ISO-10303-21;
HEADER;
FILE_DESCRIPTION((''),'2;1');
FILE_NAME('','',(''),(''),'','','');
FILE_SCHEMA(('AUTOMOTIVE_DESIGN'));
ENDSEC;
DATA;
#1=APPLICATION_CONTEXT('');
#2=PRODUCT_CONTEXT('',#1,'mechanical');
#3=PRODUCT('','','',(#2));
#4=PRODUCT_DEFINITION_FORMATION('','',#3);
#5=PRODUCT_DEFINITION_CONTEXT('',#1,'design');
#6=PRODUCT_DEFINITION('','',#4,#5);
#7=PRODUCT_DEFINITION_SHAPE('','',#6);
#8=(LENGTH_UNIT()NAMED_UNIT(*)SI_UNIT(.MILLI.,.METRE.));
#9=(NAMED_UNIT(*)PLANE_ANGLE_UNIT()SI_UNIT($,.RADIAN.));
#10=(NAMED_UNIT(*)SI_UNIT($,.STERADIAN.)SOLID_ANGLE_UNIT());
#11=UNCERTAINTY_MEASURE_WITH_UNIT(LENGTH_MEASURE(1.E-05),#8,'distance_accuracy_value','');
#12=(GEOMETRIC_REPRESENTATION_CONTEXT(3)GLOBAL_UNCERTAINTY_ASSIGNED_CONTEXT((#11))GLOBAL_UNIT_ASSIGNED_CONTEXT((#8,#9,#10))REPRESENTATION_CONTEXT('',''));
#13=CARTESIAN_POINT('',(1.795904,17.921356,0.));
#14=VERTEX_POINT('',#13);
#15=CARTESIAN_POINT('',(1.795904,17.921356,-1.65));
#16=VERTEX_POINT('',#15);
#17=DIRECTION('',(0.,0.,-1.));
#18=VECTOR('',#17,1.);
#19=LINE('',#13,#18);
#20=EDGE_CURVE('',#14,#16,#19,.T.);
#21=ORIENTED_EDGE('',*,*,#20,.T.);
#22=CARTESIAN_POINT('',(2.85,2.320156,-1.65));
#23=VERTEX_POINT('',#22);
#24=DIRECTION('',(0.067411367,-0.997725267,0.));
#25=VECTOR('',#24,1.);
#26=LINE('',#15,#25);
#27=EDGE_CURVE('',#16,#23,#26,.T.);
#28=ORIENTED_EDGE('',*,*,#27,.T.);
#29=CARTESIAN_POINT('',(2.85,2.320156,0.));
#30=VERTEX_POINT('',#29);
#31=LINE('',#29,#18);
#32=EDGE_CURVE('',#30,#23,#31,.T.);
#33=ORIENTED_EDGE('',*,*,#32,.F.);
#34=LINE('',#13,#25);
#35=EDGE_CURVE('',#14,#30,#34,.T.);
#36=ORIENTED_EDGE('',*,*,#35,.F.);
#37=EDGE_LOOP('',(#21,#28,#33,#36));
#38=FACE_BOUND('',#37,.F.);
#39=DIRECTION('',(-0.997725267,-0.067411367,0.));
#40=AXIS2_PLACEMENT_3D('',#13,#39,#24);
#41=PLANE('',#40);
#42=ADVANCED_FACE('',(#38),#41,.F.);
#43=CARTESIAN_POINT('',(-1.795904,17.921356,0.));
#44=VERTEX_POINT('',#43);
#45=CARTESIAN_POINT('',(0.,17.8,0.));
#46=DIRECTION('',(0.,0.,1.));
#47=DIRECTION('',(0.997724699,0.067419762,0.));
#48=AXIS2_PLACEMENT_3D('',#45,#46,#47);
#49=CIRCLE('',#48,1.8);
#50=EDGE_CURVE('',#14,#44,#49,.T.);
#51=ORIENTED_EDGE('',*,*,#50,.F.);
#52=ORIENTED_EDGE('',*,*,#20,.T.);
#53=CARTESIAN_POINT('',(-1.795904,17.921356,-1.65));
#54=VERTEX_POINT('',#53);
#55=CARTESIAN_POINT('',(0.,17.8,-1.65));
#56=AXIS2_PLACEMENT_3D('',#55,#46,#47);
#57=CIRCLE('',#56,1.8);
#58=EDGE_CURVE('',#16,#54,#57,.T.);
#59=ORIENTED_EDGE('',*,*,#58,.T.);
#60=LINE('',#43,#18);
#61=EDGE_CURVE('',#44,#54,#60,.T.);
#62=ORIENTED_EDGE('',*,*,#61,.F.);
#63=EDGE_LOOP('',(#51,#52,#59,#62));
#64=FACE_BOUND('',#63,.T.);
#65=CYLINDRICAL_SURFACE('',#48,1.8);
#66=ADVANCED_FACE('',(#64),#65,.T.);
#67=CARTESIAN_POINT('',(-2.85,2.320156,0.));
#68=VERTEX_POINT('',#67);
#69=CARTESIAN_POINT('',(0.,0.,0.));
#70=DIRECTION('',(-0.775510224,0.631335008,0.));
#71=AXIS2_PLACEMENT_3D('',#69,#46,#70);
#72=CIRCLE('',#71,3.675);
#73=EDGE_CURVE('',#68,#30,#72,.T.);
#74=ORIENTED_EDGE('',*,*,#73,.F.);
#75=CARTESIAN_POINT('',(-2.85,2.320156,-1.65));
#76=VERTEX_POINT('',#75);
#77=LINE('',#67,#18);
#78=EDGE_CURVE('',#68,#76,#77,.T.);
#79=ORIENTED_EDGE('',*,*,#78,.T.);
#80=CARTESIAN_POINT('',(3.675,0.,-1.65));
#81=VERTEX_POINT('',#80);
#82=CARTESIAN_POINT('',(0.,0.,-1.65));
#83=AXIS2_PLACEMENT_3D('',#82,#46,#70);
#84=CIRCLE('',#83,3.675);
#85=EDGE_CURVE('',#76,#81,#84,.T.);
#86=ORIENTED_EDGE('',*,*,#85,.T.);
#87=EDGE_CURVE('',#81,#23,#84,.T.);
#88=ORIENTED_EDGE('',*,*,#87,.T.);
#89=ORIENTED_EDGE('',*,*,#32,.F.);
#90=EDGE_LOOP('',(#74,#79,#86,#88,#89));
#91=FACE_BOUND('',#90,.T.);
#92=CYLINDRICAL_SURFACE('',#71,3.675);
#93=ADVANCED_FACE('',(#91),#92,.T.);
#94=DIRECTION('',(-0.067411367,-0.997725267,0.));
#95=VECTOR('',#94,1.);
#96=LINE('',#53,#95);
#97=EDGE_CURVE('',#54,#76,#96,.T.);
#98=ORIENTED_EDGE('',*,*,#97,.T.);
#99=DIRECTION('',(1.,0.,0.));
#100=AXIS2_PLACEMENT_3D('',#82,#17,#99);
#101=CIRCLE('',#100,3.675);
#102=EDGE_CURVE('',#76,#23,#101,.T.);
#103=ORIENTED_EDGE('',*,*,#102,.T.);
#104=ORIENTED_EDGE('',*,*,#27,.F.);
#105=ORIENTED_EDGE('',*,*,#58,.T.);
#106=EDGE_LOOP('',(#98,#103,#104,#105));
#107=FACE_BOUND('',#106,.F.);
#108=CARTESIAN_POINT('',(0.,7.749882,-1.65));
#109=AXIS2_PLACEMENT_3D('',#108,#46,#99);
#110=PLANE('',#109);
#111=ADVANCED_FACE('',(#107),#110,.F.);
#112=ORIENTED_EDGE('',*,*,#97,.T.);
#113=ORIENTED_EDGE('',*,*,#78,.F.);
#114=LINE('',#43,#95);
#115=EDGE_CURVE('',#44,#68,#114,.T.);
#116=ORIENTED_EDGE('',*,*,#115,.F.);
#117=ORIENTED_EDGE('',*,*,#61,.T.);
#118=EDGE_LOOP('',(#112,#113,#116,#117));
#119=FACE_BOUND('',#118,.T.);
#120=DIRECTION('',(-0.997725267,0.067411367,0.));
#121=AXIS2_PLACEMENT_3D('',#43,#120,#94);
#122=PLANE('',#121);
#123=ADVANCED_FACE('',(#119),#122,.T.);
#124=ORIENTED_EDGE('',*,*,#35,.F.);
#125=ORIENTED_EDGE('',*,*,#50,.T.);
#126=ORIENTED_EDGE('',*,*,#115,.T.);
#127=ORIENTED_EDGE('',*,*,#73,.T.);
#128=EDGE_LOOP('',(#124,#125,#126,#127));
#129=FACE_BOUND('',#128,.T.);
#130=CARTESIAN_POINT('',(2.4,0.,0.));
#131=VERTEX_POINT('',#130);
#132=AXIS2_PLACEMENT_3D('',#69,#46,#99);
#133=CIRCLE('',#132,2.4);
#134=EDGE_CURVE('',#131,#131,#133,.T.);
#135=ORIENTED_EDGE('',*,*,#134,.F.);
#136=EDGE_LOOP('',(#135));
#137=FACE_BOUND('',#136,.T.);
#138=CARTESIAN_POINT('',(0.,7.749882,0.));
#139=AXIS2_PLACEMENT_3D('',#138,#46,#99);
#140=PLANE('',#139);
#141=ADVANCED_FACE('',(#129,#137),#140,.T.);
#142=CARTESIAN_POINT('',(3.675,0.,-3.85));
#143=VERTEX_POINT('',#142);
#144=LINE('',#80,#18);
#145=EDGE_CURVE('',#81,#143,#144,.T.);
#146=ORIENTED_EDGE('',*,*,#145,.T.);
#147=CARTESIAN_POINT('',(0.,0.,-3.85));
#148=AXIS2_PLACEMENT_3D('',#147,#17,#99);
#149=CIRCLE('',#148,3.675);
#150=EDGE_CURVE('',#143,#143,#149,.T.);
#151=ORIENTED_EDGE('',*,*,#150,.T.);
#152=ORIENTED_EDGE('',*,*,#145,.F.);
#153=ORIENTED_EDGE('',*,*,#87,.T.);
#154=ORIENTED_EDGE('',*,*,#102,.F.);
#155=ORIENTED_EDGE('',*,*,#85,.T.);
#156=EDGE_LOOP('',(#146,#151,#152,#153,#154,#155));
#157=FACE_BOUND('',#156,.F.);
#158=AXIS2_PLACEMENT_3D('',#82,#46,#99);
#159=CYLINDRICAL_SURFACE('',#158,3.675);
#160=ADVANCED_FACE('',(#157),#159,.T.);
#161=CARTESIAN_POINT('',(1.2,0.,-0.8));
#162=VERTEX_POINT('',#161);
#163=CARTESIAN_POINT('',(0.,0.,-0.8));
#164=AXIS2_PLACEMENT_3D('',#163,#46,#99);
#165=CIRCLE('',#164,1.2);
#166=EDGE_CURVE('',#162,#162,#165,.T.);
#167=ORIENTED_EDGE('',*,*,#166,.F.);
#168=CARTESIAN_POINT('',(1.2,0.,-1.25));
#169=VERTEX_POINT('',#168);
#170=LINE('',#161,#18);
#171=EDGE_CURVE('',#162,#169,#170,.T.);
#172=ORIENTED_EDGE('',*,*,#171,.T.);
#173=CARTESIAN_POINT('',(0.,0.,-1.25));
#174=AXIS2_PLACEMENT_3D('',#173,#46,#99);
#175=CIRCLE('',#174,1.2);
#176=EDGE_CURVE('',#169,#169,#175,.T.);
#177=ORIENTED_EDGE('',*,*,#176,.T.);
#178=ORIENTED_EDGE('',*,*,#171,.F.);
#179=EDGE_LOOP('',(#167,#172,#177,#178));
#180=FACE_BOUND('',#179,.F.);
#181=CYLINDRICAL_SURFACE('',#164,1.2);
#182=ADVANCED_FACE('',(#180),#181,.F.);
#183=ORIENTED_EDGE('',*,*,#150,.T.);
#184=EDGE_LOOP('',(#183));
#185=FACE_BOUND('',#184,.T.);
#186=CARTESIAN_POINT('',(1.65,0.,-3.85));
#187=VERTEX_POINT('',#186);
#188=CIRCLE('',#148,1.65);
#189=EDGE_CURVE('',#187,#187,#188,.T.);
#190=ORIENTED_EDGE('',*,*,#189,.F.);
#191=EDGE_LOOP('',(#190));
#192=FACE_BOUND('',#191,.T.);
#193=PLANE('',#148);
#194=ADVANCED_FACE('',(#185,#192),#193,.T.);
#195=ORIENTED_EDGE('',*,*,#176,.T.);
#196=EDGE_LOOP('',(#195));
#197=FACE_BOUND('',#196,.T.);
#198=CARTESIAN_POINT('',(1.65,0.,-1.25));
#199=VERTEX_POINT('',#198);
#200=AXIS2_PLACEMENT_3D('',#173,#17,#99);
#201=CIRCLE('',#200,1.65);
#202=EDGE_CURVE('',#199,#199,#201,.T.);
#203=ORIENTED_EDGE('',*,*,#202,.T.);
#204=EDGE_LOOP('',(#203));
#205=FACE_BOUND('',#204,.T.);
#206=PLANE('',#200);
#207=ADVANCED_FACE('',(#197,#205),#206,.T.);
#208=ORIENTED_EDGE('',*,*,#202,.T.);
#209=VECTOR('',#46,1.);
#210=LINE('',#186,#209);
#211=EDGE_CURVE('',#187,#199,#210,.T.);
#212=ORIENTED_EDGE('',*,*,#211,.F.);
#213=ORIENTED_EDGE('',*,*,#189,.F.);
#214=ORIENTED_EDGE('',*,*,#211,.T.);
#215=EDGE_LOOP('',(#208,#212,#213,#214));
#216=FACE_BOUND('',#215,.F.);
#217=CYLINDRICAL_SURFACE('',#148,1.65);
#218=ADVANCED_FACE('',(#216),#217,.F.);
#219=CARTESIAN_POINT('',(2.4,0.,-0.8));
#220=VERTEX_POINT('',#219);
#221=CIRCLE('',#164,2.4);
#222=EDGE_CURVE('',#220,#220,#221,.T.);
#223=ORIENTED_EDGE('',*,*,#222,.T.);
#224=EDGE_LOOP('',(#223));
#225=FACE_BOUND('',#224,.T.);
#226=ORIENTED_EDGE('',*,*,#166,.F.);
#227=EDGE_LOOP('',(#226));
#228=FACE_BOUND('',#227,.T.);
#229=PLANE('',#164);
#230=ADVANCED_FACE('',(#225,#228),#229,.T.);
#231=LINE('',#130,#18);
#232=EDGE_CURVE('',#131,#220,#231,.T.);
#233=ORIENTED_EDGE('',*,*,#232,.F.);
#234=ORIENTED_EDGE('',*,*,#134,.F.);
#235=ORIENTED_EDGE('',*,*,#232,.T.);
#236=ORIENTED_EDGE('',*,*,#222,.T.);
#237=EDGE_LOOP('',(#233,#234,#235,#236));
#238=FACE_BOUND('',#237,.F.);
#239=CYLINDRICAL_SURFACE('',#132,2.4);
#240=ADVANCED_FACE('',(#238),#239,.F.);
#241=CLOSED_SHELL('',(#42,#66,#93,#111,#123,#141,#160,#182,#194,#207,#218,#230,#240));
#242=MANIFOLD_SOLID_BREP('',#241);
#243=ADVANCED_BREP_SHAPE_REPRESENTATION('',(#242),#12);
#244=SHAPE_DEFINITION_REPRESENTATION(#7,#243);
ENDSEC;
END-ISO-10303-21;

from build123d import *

# Parameters (mm, degrees)
PAD_DEPTH       = 1.65
SKETCH001_R     = 3.675
PAD001_DEPTH    = 2.2
SKETCH002_R     = 1.65
POCKET_DEPTH    = 2.6
SKETCH003_R     = 2.4
POCKET001_DEPTH = 0.8
SKETCH004_R     = 1.2
POCKET002_DEPTH = 3.051


with BuildPart() as part:
    # Sketch → Pad (new body)
    with BuildSketch(Plane.XY):
        with BuildLine():
            Line((-1.795904, 17.921356), (-2.85, 2.320156))
            ThreePointArc((-2.85, 2.320156), (0, -3.675), (2.85, 2.320156))
            Line((1.795904, 17.921356), (2.85, 2.320156))
            ThreePointArc((1.795904, 17.921356), (0, 19.6), (-1.795904, 17.921356))
        make_face()
    extrude(amount=-PAD_DEPTH)

    # Sketch001 → Pad001 (new body)
    with BuildSketch(Plane(origin=(0, 0, -1.65), x_dir=(1, 0, 0), z_dir=(0, 0, -1))):
        Circle(SKETCH001_R)
    extrude(amount=PAD001_DEPTH)

    # Sketch002 → Pocket (cut)
    with BuildSketch(Plane(origin=(0, 0, -3.85), x_dir=(1, 0, 0), z_dir=(0, 0, -1))):
        Circle(SKETCH002_R)
    extrude(amount=-POCKET_DEPTH, mode=Mode.SUBTRACT)

    # Sketch003 → Pocket001 (cut)
    with BuildSketch(Plane.XY):
        Circle(SKETCH003_R)
    extrude(amount=-POCKET001_DEPTH, mode=Mode.SUBTRACT)

    # Sketch004 → Pocket002 (cut, through all)
    with BuildSketch(Plane.XY.offset(-0.8)):
        Circle(SKETCH004_R)
    extrude(amount=-POCKET002_DEPTH, mode=Mode.SUBTRACT)


solid = part.part
